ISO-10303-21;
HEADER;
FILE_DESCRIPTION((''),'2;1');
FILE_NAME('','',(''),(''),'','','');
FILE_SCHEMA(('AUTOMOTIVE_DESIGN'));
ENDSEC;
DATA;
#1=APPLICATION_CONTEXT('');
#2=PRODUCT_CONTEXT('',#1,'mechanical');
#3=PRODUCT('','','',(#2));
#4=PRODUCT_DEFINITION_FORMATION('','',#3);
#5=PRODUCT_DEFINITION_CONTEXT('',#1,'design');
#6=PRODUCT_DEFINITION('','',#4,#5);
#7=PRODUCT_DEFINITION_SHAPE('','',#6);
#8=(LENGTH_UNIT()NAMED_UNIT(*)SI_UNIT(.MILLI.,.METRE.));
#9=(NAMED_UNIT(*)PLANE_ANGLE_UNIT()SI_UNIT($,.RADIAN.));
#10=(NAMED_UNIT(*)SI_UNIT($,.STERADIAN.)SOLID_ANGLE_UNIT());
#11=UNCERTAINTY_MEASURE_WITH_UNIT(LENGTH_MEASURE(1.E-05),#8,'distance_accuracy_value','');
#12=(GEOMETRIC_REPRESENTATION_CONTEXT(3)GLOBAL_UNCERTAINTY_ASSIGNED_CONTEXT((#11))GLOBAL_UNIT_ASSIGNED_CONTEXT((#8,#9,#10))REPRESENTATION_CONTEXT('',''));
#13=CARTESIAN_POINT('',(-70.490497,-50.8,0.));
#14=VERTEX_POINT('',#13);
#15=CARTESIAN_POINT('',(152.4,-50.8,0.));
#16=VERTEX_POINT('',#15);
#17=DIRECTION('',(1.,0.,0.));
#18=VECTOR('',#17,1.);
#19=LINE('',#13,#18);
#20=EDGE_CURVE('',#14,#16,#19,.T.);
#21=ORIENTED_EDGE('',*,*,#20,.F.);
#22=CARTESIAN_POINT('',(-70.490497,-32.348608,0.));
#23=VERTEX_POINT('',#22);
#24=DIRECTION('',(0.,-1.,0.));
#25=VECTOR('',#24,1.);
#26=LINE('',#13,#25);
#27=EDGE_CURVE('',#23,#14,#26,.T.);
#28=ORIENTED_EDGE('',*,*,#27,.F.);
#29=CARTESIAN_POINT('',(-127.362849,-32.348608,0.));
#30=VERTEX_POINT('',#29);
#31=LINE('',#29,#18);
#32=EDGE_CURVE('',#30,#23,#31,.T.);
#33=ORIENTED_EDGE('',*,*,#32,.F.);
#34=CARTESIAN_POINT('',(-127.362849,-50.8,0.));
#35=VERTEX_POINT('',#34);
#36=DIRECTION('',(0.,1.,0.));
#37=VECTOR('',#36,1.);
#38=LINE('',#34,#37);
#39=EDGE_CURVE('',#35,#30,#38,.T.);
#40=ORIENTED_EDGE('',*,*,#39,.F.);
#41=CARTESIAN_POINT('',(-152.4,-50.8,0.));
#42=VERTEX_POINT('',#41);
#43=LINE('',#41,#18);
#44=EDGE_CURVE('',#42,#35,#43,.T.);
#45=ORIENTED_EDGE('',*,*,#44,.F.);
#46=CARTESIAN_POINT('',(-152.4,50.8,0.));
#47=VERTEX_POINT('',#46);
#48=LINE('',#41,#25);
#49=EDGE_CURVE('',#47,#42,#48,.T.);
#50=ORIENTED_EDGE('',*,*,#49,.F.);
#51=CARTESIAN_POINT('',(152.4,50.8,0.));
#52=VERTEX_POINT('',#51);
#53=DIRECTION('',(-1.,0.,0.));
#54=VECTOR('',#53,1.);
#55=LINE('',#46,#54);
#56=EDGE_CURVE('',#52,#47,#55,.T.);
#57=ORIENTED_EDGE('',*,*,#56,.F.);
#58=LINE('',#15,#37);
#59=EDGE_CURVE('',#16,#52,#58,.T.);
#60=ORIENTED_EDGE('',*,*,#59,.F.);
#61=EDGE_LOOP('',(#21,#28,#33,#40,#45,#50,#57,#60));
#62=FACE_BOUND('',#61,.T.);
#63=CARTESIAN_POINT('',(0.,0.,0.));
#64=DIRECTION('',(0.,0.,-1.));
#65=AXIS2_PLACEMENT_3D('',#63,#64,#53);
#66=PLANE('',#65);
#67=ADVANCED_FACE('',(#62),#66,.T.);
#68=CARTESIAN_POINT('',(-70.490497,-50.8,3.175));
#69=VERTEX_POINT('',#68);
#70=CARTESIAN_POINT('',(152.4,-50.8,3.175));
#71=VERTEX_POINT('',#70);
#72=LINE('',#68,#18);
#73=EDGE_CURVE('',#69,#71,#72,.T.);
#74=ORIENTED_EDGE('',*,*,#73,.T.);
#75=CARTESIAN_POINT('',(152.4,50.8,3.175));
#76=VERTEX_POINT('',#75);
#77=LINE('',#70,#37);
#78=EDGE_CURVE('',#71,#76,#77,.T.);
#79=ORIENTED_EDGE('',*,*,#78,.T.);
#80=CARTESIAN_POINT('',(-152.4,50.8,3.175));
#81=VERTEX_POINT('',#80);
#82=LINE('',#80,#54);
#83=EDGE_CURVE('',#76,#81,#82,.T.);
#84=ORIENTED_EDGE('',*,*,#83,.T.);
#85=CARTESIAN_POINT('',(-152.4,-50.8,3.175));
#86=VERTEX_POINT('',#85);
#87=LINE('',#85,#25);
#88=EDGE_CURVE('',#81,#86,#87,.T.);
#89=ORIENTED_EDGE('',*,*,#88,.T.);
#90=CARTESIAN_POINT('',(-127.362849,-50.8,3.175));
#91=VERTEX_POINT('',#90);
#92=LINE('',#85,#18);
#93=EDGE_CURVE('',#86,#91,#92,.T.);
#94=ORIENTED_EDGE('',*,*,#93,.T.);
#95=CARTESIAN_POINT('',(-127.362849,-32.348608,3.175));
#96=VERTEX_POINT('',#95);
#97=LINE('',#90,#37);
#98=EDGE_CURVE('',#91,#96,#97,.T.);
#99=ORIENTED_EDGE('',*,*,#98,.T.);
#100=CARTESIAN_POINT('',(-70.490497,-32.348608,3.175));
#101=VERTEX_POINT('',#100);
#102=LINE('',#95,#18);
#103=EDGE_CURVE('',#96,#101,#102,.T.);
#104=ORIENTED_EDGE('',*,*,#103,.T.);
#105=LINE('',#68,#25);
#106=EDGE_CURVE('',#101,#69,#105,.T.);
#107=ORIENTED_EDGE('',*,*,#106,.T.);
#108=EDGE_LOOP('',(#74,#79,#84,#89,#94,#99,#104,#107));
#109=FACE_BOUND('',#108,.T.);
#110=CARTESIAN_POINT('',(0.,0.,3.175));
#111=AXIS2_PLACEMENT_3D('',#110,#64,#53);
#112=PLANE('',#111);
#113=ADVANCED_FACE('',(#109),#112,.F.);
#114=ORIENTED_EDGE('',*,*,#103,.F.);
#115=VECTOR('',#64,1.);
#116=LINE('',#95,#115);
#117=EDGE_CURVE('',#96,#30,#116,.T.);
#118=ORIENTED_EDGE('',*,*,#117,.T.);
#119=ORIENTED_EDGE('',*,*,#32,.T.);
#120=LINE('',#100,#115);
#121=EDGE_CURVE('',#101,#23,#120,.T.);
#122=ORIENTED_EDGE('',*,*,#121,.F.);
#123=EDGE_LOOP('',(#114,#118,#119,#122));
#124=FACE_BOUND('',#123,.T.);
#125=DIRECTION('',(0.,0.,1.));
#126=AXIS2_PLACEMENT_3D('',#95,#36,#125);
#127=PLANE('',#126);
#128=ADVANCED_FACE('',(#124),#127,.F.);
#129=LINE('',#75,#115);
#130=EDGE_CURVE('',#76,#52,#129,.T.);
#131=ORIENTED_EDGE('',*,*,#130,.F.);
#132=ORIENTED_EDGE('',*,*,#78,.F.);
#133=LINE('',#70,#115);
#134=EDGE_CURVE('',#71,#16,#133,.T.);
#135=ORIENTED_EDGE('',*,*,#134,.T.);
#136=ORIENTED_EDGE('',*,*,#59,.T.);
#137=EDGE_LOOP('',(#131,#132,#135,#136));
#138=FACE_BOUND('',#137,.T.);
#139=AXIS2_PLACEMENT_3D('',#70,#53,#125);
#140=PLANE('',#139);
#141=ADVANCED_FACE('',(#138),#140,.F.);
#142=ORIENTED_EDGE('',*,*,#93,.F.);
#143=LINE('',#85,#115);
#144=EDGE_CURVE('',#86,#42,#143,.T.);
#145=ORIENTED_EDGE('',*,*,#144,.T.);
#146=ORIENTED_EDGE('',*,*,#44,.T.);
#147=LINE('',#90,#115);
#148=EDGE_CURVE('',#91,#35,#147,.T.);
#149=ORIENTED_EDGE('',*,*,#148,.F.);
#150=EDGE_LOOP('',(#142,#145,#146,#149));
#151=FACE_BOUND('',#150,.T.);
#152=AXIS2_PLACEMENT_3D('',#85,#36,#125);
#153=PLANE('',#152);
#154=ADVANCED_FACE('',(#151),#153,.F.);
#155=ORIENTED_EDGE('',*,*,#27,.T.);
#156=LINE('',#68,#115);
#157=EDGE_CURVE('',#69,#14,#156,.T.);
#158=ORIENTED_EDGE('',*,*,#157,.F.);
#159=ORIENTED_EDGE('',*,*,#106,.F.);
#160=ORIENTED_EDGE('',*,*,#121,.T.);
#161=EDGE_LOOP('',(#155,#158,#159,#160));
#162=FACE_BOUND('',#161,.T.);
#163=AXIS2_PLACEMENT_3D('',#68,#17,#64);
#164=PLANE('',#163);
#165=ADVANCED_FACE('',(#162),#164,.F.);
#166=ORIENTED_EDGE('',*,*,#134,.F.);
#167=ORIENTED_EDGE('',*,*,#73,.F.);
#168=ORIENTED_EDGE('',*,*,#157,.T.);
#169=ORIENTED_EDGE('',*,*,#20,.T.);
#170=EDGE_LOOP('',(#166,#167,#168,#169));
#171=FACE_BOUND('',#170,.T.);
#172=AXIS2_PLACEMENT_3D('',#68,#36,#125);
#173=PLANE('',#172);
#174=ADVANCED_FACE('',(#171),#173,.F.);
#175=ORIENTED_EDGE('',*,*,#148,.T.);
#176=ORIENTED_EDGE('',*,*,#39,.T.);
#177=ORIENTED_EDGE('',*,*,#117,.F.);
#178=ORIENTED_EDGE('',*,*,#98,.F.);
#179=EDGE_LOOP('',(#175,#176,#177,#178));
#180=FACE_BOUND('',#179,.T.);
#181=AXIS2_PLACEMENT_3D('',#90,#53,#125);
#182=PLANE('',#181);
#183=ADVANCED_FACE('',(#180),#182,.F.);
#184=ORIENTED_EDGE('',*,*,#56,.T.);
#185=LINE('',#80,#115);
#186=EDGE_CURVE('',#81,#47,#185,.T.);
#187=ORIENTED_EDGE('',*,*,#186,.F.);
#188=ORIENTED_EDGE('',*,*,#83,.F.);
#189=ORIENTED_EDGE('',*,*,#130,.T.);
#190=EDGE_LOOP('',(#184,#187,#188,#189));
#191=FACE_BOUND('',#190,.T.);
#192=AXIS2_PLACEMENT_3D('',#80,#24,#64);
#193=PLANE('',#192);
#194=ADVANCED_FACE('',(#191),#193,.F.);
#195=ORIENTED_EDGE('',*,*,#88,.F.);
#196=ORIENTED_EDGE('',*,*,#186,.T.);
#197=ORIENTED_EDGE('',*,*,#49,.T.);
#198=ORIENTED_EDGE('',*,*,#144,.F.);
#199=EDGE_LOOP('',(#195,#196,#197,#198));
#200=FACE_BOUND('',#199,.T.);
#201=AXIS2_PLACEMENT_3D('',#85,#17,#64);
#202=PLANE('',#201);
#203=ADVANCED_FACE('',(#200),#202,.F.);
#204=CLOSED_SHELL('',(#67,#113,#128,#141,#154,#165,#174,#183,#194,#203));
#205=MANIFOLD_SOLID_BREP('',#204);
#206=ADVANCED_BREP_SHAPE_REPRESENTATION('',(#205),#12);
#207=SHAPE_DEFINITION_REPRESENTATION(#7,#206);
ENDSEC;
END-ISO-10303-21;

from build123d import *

# Parameters (mm, degrees)
BOSS_EXTRUDE1_DEPTH = 3.175


with BuildPart() as part:
    # Sketch1 → Boss-Extrude1 (new body)
    with BuildSketch(Plane.XY):
        Polygon((-70.490497222, -50.8), (152.4, -50.8), (152.4, 50.8), (-152.4, 50.8), (-152.4, -50.8), (-127.362849329, -50.8), (-127.362849329, -32.34860766), (-70.490497222, -32.34860766), align=None)
    extrude(amount=BOSS_EXTRUDE1_DEPTH)


solid = part.part
